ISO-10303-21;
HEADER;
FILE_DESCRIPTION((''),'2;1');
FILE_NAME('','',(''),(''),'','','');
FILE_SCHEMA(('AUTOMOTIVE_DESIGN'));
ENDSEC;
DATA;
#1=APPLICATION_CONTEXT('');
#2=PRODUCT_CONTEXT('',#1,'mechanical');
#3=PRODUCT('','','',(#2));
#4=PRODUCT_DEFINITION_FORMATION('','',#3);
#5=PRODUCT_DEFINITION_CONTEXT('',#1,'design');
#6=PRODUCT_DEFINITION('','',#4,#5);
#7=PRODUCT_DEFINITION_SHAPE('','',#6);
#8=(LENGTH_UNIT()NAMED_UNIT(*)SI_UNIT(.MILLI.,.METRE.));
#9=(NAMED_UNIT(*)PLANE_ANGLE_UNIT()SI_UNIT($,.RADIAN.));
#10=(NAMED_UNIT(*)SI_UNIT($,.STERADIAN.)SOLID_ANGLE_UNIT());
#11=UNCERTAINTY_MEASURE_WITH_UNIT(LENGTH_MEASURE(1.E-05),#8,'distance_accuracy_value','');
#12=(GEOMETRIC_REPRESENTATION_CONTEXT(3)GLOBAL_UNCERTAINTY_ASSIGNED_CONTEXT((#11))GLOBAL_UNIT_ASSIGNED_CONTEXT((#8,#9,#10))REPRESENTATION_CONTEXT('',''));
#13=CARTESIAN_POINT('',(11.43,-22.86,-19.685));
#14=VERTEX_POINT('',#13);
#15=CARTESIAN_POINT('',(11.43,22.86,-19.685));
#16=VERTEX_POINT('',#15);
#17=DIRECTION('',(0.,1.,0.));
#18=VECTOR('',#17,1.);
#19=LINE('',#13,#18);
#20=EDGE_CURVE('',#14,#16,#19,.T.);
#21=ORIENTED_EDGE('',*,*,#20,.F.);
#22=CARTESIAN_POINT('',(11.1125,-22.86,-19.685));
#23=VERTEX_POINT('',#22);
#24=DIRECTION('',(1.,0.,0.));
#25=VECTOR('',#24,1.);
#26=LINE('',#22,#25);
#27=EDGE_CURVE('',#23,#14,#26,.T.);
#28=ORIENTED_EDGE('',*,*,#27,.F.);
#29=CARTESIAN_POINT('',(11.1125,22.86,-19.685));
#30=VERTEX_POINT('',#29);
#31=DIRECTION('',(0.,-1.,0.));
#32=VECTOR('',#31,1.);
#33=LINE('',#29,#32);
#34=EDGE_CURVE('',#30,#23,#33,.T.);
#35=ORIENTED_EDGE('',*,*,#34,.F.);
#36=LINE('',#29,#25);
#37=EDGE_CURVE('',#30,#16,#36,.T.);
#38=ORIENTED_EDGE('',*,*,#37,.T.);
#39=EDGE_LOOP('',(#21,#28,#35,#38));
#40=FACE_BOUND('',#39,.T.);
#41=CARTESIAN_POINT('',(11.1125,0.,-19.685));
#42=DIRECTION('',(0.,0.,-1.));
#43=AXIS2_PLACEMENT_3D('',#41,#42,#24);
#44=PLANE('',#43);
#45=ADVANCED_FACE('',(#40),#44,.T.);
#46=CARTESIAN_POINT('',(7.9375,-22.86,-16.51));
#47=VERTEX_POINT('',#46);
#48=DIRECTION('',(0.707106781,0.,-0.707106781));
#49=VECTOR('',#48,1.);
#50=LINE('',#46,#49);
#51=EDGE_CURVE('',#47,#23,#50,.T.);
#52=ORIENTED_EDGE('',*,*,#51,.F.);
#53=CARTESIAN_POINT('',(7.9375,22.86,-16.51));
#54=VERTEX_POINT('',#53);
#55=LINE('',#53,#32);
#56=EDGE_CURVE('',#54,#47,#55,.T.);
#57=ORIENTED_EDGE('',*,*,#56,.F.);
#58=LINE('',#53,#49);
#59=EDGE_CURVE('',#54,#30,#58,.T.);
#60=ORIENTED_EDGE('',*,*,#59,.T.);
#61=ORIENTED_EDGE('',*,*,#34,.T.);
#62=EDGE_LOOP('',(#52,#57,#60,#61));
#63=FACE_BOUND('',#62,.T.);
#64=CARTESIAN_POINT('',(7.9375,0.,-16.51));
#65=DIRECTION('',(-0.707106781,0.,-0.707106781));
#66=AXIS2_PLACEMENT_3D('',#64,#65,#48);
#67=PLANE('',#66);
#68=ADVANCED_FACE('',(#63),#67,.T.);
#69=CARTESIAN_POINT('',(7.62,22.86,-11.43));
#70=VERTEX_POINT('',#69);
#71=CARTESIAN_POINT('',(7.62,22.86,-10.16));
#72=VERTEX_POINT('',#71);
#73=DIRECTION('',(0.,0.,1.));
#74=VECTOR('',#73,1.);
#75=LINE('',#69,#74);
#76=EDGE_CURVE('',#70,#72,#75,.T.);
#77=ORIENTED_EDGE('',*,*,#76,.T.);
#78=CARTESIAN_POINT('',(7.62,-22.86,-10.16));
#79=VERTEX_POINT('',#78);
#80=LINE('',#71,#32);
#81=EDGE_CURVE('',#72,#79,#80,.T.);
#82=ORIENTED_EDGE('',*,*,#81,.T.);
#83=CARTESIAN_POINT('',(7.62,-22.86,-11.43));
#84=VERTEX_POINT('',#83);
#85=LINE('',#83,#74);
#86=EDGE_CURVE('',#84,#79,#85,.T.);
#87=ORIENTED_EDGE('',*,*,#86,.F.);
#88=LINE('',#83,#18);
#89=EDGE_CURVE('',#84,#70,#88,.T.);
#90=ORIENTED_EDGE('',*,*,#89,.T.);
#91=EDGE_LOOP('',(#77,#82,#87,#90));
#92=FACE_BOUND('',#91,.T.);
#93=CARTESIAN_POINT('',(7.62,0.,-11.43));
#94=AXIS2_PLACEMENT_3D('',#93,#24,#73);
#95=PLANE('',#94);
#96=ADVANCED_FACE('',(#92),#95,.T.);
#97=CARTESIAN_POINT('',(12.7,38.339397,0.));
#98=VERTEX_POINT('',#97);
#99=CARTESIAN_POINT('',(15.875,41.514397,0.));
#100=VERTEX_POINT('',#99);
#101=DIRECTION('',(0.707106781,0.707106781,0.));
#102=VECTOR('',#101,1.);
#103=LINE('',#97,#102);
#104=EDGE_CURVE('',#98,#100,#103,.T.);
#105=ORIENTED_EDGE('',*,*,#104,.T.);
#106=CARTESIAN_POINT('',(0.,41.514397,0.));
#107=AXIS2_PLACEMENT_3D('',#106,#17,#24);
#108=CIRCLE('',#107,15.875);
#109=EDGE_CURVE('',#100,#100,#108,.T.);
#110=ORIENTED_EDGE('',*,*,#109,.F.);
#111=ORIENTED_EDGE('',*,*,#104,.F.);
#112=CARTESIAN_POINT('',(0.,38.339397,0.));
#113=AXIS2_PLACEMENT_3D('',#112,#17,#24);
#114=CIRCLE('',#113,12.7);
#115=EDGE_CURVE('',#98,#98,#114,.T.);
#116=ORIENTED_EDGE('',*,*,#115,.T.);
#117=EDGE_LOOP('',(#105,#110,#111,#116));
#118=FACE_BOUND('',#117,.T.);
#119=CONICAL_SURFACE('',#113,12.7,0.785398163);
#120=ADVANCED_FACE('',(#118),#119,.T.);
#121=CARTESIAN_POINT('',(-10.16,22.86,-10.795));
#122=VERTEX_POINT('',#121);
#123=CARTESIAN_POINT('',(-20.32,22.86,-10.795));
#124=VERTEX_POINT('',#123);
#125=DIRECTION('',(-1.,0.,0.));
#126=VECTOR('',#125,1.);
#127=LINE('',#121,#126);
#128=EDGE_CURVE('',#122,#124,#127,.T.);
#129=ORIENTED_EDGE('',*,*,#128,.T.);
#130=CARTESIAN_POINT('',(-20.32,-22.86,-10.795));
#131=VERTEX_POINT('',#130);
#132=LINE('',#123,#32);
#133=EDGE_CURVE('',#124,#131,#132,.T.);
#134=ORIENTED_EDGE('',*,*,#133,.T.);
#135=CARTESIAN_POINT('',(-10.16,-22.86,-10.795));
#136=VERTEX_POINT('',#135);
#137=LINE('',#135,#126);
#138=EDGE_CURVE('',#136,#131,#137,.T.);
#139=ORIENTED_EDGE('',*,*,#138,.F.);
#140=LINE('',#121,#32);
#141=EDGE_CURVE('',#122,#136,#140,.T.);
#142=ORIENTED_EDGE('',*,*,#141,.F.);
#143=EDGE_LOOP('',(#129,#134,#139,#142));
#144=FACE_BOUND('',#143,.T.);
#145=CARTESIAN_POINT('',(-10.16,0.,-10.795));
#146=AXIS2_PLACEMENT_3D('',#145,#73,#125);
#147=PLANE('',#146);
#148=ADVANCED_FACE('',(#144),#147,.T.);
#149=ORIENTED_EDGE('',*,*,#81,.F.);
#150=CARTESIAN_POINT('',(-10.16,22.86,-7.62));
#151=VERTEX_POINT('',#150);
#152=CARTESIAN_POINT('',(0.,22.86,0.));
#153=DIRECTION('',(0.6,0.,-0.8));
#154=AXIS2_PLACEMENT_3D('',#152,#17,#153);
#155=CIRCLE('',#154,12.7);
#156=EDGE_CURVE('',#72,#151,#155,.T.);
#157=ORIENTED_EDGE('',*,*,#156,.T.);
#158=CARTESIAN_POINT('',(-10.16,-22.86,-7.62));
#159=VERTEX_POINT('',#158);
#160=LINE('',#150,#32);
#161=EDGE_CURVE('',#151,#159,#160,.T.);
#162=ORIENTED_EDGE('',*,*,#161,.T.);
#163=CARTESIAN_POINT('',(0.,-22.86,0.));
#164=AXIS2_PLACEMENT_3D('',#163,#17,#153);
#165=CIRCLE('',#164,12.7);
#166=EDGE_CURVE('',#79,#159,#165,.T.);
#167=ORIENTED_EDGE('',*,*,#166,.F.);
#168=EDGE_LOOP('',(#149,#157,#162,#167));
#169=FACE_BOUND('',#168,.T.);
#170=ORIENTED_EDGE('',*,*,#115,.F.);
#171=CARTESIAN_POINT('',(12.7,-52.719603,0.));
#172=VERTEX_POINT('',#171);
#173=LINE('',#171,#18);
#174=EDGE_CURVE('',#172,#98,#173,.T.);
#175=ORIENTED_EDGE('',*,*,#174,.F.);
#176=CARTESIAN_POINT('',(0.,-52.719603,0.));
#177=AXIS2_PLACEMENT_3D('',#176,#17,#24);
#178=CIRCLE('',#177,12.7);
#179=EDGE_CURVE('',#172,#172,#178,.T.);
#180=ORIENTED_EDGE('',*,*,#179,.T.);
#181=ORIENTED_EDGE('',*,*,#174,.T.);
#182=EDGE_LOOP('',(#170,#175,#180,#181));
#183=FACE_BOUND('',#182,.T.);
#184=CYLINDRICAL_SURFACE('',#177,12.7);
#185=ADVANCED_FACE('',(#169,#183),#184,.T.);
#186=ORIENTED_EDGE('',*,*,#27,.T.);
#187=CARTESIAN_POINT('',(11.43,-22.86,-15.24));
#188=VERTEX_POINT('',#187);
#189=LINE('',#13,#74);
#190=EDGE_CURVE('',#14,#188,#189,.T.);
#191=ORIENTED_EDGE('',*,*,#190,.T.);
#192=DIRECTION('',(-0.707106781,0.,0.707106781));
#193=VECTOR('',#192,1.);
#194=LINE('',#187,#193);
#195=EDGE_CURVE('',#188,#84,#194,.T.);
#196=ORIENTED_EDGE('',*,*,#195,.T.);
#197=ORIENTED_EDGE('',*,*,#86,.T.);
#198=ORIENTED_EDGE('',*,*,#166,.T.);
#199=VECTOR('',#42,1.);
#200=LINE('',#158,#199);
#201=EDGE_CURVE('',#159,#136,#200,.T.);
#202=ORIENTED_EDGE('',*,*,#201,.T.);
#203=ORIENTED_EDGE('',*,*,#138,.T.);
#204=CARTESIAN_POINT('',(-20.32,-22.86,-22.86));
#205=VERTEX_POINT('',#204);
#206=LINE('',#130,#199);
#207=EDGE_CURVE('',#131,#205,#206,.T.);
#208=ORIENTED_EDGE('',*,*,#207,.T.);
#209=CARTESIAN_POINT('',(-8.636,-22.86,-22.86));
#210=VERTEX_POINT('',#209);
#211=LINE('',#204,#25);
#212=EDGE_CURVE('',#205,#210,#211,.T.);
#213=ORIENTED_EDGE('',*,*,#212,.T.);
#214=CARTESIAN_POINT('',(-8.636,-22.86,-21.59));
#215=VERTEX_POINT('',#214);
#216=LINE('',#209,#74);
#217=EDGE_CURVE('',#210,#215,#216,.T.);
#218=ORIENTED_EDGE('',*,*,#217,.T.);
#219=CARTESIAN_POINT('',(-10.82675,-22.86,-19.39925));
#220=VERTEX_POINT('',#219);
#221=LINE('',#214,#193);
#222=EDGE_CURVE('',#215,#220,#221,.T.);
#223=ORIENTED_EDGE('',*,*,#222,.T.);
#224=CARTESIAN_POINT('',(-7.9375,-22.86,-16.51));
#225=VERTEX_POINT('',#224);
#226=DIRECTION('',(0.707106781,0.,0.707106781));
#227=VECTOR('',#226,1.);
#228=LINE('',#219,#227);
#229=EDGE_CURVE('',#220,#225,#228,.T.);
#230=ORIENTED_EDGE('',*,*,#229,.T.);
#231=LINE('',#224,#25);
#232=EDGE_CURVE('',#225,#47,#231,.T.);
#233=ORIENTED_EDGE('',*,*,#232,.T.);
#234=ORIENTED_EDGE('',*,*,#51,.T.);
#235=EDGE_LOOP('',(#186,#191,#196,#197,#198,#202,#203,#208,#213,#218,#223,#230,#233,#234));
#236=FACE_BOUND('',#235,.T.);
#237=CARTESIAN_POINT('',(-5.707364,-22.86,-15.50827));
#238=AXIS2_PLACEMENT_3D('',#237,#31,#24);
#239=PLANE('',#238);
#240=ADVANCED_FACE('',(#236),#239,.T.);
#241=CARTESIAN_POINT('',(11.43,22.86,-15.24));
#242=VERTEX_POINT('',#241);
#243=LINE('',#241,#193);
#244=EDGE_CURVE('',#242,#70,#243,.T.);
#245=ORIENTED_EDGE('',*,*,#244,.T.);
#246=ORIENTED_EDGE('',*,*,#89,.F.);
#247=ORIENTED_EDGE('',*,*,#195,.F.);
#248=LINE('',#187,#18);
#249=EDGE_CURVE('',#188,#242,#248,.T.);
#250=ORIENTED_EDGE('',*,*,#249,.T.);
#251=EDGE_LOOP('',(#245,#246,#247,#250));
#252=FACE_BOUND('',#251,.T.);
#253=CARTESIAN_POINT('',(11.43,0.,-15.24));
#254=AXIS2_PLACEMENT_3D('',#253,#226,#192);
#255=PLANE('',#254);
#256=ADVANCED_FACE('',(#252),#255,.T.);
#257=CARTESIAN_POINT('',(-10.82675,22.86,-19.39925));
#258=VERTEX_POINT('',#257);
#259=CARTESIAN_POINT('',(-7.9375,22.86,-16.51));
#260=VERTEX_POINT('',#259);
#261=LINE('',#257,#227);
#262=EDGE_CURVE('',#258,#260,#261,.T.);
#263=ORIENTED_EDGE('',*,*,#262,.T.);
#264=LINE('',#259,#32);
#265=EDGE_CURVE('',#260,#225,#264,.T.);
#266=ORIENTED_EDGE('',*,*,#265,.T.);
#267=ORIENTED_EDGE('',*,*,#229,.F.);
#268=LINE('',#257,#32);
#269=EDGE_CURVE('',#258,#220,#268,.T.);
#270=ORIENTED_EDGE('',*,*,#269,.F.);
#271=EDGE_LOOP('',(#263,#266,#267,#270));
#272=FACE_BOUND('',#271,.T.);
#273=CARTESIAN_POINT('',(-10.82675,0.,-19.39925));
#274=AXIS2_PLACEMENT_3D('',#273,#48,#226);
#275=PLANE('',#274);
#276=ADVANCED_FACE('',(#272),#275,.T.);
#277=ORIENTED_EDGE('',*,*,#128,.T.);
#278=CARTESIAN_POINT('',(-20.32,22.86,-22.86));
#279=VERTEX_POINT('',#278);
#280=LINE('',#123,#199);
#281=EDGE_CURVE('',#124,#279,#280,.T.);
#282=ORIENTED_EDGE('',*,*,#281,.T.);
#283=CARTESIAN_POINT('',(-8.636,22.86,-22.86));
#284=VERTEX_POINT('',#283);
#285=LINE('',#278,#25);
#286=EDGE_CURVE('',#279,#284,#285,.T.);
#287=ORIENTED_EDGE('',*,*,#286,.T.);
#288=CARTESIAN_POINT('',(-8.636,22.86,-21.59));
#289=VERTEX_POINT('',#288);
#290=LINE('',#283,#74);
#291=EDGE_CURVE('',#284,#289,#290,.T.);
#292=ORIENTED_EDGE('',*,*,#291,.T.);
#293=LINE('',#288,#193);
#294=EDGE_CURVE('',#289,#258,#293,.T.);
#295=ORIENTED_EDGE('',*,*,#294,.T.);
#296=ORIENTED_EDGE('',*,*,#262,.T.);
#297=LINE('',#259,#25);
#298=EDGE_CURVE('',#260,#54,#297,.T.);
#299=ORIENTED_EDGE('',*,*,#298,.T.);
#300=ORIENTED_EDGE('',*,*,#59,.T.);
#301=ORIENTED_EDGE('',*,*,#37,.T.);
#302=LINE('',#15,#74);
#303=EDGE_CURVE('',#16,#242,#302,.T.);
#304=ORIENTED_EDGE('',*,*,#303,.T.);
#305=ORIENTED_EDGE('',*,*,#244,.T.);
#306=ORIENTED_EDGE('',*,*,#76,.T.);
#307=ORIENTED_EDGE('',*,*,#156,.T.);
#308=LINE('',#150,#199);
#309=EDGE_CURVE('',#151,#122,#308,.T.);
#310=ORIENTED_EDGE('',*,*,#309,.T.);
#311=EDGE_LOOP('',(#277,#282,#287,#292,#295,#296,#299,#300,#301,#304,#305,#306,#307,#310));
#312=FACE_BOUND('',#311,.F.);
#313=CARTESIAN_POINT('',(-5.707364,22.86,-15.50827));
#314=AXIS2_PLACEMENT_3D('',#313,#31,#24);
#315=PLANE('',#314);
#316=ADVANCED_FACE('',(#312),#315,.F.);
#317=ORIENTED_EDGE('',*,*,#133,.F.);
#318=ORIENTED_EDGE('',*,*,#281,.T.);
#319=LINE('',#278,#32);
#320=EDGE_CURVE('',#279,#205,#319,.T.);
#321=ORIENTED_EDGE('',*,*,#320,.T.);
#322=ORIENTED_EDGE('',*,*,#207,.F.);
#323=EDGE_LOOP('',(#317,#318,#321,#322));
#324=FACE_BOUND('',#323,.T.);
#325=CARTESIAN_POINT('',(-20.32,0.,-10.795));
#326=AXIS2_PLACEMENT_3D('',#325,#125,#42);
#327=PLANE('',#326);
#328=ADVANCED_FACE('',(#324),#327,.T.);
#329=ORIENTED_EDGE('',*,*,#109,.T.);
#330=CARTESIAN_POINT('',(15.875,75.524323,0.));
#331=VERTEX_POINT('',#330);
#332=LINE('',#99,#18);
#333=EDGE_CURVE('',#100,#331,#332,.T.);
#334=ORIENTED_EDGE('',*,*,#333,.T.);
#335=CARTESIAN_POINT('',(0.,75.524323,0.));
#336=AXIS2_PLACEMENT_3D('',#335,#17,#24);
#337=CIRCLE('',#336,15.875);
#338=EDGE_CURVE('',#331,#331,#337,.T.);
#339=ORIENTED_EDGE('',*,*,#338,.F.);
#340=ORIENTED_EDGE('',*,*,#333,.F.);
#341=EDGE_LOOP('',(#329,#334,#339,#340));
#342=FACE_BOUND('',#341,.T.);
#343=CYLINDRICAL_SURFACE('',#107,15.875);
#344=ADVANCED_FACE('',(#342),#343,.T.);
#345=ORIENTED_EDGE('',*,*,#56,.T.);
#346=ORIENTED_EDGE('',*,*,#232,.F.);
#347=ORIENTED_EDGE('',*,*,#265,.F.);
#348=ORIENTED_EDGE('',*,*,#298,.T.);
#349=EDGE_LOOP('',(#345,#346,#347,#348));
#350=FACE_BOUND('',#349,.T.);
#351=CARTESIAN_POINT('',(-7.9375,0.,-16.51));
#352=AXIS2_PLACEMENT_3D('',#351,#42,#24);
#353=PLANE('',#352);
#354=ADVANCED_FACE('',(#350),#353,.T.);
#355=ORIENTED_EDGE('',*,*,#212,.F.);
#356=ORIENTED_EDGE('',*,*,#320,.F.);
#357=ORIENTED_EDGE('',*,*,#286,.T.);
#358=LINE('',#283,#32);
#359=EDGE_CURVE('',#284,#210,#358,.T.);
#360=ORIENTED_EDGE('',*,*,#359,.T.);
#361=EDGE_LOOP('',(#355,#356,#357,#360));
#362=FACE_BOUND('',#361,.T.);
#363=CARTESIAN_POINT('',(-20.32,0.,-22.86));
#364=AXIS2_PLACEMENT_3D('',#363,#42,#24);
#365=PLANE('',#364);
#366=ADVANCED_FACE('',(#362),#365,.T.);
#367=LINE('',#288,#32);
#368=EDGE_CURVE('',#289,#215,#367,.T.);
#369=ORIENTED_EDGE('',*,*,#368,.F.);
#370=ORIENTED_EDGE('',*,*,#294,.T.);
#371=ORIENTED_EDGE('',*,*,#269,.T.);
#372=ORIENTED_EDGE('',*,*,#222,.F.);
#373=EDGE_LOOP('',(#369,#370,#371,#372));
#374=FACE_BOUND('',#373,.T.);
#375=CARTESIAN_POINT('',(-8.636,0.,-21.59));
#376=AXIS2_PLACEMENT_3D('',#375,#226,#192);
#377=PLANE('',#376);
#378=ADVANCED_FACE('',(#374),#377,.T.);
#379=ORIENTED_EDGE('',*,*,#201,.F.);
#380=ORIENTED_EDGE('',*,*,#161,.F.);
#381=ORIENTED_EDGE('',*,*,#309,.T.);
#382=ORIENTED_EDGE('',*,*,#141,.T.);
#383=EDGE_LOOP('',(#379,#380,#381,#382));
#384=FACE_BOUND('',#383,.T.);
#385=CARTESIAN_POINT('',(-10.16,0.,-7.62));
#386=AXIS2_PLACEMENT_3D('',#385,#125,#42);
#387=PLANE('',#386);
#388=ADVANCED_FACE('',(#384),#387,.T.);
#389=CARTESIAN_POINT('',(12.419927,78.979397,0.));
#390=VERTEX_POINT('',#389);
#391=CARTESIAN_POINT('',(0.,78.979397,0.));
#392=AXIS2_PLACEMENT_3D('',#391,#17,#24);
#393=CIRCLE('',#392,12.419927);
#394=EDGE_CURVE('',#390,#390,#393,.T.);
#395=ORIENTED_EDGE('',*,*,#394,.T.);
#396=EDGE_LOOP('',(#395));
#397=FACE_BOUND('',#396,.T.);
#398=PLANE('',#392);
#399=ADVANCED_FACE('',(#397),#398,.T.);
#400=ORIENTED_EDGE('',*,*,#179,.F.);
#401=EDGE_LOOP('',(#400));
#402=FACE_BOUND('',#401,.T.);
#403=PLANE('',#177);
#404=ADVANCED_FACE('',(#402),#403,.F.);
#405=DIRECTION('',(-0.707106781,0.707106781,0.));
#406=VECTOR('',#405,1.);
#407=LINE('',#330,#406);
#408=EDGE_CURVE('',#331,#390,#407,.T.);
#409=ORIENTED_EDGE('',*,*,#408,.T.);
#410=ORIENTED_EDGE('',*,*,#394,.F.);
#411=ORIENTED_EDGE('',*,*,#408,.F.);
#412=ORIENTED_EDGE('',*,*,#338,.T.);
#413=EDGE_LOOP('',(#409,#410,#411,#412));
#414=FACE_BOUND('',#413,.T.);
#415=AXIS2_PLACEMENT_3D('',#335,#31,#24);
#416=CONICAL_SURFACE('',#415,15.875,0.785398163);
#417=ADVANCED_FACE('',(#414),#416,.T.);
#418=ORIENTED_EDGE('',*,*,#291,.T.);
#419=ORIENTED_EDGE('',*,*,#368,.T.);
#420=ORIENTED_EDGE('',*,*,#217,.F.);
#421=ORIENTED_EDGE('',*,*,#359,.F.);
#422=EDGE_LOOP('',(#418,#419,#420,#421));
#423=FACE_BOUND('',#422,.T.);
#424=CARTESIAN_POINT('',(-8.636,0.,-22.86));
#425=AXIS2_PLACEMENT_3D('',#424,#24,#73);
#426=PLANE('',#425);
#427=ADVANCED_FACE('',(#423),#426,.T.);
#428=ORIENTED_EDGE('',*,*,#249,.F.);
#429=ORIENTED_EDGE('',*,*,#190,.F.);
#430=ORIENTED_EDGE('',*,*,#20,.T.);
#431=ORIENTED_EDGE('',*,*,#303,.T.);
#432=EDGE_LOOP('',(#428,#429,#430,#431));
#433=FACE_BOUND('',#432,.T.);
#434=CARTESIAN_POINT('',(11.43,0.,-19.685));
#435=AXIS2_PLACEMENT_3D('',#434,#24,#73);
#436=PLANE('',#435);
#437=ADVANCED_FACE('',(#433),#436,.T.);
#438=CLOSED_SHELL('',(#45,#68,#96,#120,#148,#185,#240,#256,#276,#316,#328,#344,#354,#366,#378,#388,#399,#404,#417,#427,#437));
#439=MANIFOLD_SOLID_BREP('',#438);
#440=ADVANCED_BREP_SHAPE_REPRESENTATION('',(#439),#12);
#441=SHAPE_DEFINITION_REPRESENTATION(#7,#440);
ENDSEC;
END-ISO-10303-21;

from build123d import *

# Parameters (mm, degrees)
F3_DEPTH = 22.86


with BuildPart() as f1:
    # F0 (on Top) → F1 (revolve)
    with BuildSketch(Plane.XY):
        Polygon((12.4199267048, 78.9793966675), (0, 78.9793966675), (0, -52.7196033325), (12.7, -52.7196033325), (12.7, 38.3393966675), (15.875, 41.5143966675), (15.875, 75.5243233723), align=None)
    revolve(axis=Axis((0, 13.1298966675, 0), (0, 1, 0)))

    # F2 (on Front) → F3 (join, symmetric)
    with BuildSketch(Plane.XZ):
        with BuildLine():
            Line((7.62, -11.43), (7.62, -10.16))
            ThreePointArc((7.62, -10.16), (-1.7960512242, -12.5723585695), (-10.16, -7.62))
            Line((-10.16, -7.62), (-10.16, -10.795))
            Line((-10.16, -10.795), (-20.32, -10.795))
            Line((-20.32, -10.795), (-20.32, -22.86))
            Line((-20.32, -22.86), (-8.636, -22.86))
            Line((-8.636, -22.86), (-8.636, -21.59))
            Line((-8.636, -21.59), (-10.82675, -19.39925))
            Line((-10.82675, -19.39925), (-7.9375, -16.51))
            Line((-7.9375, -16.51), (7.9375, -16.51))
            Line((7.9375, -16.51), (11.1125, -19.685))
            Line((11.1125, -19.685), (11.43, -19.685))
            Line((11.43, -19.685), (11.43, -15.24))
            Line((11.43, -15.24), (7.62, -11.43))
        make_face()
    extrude(amount=F3_DEPTH, both=True)


solid = f1.part
